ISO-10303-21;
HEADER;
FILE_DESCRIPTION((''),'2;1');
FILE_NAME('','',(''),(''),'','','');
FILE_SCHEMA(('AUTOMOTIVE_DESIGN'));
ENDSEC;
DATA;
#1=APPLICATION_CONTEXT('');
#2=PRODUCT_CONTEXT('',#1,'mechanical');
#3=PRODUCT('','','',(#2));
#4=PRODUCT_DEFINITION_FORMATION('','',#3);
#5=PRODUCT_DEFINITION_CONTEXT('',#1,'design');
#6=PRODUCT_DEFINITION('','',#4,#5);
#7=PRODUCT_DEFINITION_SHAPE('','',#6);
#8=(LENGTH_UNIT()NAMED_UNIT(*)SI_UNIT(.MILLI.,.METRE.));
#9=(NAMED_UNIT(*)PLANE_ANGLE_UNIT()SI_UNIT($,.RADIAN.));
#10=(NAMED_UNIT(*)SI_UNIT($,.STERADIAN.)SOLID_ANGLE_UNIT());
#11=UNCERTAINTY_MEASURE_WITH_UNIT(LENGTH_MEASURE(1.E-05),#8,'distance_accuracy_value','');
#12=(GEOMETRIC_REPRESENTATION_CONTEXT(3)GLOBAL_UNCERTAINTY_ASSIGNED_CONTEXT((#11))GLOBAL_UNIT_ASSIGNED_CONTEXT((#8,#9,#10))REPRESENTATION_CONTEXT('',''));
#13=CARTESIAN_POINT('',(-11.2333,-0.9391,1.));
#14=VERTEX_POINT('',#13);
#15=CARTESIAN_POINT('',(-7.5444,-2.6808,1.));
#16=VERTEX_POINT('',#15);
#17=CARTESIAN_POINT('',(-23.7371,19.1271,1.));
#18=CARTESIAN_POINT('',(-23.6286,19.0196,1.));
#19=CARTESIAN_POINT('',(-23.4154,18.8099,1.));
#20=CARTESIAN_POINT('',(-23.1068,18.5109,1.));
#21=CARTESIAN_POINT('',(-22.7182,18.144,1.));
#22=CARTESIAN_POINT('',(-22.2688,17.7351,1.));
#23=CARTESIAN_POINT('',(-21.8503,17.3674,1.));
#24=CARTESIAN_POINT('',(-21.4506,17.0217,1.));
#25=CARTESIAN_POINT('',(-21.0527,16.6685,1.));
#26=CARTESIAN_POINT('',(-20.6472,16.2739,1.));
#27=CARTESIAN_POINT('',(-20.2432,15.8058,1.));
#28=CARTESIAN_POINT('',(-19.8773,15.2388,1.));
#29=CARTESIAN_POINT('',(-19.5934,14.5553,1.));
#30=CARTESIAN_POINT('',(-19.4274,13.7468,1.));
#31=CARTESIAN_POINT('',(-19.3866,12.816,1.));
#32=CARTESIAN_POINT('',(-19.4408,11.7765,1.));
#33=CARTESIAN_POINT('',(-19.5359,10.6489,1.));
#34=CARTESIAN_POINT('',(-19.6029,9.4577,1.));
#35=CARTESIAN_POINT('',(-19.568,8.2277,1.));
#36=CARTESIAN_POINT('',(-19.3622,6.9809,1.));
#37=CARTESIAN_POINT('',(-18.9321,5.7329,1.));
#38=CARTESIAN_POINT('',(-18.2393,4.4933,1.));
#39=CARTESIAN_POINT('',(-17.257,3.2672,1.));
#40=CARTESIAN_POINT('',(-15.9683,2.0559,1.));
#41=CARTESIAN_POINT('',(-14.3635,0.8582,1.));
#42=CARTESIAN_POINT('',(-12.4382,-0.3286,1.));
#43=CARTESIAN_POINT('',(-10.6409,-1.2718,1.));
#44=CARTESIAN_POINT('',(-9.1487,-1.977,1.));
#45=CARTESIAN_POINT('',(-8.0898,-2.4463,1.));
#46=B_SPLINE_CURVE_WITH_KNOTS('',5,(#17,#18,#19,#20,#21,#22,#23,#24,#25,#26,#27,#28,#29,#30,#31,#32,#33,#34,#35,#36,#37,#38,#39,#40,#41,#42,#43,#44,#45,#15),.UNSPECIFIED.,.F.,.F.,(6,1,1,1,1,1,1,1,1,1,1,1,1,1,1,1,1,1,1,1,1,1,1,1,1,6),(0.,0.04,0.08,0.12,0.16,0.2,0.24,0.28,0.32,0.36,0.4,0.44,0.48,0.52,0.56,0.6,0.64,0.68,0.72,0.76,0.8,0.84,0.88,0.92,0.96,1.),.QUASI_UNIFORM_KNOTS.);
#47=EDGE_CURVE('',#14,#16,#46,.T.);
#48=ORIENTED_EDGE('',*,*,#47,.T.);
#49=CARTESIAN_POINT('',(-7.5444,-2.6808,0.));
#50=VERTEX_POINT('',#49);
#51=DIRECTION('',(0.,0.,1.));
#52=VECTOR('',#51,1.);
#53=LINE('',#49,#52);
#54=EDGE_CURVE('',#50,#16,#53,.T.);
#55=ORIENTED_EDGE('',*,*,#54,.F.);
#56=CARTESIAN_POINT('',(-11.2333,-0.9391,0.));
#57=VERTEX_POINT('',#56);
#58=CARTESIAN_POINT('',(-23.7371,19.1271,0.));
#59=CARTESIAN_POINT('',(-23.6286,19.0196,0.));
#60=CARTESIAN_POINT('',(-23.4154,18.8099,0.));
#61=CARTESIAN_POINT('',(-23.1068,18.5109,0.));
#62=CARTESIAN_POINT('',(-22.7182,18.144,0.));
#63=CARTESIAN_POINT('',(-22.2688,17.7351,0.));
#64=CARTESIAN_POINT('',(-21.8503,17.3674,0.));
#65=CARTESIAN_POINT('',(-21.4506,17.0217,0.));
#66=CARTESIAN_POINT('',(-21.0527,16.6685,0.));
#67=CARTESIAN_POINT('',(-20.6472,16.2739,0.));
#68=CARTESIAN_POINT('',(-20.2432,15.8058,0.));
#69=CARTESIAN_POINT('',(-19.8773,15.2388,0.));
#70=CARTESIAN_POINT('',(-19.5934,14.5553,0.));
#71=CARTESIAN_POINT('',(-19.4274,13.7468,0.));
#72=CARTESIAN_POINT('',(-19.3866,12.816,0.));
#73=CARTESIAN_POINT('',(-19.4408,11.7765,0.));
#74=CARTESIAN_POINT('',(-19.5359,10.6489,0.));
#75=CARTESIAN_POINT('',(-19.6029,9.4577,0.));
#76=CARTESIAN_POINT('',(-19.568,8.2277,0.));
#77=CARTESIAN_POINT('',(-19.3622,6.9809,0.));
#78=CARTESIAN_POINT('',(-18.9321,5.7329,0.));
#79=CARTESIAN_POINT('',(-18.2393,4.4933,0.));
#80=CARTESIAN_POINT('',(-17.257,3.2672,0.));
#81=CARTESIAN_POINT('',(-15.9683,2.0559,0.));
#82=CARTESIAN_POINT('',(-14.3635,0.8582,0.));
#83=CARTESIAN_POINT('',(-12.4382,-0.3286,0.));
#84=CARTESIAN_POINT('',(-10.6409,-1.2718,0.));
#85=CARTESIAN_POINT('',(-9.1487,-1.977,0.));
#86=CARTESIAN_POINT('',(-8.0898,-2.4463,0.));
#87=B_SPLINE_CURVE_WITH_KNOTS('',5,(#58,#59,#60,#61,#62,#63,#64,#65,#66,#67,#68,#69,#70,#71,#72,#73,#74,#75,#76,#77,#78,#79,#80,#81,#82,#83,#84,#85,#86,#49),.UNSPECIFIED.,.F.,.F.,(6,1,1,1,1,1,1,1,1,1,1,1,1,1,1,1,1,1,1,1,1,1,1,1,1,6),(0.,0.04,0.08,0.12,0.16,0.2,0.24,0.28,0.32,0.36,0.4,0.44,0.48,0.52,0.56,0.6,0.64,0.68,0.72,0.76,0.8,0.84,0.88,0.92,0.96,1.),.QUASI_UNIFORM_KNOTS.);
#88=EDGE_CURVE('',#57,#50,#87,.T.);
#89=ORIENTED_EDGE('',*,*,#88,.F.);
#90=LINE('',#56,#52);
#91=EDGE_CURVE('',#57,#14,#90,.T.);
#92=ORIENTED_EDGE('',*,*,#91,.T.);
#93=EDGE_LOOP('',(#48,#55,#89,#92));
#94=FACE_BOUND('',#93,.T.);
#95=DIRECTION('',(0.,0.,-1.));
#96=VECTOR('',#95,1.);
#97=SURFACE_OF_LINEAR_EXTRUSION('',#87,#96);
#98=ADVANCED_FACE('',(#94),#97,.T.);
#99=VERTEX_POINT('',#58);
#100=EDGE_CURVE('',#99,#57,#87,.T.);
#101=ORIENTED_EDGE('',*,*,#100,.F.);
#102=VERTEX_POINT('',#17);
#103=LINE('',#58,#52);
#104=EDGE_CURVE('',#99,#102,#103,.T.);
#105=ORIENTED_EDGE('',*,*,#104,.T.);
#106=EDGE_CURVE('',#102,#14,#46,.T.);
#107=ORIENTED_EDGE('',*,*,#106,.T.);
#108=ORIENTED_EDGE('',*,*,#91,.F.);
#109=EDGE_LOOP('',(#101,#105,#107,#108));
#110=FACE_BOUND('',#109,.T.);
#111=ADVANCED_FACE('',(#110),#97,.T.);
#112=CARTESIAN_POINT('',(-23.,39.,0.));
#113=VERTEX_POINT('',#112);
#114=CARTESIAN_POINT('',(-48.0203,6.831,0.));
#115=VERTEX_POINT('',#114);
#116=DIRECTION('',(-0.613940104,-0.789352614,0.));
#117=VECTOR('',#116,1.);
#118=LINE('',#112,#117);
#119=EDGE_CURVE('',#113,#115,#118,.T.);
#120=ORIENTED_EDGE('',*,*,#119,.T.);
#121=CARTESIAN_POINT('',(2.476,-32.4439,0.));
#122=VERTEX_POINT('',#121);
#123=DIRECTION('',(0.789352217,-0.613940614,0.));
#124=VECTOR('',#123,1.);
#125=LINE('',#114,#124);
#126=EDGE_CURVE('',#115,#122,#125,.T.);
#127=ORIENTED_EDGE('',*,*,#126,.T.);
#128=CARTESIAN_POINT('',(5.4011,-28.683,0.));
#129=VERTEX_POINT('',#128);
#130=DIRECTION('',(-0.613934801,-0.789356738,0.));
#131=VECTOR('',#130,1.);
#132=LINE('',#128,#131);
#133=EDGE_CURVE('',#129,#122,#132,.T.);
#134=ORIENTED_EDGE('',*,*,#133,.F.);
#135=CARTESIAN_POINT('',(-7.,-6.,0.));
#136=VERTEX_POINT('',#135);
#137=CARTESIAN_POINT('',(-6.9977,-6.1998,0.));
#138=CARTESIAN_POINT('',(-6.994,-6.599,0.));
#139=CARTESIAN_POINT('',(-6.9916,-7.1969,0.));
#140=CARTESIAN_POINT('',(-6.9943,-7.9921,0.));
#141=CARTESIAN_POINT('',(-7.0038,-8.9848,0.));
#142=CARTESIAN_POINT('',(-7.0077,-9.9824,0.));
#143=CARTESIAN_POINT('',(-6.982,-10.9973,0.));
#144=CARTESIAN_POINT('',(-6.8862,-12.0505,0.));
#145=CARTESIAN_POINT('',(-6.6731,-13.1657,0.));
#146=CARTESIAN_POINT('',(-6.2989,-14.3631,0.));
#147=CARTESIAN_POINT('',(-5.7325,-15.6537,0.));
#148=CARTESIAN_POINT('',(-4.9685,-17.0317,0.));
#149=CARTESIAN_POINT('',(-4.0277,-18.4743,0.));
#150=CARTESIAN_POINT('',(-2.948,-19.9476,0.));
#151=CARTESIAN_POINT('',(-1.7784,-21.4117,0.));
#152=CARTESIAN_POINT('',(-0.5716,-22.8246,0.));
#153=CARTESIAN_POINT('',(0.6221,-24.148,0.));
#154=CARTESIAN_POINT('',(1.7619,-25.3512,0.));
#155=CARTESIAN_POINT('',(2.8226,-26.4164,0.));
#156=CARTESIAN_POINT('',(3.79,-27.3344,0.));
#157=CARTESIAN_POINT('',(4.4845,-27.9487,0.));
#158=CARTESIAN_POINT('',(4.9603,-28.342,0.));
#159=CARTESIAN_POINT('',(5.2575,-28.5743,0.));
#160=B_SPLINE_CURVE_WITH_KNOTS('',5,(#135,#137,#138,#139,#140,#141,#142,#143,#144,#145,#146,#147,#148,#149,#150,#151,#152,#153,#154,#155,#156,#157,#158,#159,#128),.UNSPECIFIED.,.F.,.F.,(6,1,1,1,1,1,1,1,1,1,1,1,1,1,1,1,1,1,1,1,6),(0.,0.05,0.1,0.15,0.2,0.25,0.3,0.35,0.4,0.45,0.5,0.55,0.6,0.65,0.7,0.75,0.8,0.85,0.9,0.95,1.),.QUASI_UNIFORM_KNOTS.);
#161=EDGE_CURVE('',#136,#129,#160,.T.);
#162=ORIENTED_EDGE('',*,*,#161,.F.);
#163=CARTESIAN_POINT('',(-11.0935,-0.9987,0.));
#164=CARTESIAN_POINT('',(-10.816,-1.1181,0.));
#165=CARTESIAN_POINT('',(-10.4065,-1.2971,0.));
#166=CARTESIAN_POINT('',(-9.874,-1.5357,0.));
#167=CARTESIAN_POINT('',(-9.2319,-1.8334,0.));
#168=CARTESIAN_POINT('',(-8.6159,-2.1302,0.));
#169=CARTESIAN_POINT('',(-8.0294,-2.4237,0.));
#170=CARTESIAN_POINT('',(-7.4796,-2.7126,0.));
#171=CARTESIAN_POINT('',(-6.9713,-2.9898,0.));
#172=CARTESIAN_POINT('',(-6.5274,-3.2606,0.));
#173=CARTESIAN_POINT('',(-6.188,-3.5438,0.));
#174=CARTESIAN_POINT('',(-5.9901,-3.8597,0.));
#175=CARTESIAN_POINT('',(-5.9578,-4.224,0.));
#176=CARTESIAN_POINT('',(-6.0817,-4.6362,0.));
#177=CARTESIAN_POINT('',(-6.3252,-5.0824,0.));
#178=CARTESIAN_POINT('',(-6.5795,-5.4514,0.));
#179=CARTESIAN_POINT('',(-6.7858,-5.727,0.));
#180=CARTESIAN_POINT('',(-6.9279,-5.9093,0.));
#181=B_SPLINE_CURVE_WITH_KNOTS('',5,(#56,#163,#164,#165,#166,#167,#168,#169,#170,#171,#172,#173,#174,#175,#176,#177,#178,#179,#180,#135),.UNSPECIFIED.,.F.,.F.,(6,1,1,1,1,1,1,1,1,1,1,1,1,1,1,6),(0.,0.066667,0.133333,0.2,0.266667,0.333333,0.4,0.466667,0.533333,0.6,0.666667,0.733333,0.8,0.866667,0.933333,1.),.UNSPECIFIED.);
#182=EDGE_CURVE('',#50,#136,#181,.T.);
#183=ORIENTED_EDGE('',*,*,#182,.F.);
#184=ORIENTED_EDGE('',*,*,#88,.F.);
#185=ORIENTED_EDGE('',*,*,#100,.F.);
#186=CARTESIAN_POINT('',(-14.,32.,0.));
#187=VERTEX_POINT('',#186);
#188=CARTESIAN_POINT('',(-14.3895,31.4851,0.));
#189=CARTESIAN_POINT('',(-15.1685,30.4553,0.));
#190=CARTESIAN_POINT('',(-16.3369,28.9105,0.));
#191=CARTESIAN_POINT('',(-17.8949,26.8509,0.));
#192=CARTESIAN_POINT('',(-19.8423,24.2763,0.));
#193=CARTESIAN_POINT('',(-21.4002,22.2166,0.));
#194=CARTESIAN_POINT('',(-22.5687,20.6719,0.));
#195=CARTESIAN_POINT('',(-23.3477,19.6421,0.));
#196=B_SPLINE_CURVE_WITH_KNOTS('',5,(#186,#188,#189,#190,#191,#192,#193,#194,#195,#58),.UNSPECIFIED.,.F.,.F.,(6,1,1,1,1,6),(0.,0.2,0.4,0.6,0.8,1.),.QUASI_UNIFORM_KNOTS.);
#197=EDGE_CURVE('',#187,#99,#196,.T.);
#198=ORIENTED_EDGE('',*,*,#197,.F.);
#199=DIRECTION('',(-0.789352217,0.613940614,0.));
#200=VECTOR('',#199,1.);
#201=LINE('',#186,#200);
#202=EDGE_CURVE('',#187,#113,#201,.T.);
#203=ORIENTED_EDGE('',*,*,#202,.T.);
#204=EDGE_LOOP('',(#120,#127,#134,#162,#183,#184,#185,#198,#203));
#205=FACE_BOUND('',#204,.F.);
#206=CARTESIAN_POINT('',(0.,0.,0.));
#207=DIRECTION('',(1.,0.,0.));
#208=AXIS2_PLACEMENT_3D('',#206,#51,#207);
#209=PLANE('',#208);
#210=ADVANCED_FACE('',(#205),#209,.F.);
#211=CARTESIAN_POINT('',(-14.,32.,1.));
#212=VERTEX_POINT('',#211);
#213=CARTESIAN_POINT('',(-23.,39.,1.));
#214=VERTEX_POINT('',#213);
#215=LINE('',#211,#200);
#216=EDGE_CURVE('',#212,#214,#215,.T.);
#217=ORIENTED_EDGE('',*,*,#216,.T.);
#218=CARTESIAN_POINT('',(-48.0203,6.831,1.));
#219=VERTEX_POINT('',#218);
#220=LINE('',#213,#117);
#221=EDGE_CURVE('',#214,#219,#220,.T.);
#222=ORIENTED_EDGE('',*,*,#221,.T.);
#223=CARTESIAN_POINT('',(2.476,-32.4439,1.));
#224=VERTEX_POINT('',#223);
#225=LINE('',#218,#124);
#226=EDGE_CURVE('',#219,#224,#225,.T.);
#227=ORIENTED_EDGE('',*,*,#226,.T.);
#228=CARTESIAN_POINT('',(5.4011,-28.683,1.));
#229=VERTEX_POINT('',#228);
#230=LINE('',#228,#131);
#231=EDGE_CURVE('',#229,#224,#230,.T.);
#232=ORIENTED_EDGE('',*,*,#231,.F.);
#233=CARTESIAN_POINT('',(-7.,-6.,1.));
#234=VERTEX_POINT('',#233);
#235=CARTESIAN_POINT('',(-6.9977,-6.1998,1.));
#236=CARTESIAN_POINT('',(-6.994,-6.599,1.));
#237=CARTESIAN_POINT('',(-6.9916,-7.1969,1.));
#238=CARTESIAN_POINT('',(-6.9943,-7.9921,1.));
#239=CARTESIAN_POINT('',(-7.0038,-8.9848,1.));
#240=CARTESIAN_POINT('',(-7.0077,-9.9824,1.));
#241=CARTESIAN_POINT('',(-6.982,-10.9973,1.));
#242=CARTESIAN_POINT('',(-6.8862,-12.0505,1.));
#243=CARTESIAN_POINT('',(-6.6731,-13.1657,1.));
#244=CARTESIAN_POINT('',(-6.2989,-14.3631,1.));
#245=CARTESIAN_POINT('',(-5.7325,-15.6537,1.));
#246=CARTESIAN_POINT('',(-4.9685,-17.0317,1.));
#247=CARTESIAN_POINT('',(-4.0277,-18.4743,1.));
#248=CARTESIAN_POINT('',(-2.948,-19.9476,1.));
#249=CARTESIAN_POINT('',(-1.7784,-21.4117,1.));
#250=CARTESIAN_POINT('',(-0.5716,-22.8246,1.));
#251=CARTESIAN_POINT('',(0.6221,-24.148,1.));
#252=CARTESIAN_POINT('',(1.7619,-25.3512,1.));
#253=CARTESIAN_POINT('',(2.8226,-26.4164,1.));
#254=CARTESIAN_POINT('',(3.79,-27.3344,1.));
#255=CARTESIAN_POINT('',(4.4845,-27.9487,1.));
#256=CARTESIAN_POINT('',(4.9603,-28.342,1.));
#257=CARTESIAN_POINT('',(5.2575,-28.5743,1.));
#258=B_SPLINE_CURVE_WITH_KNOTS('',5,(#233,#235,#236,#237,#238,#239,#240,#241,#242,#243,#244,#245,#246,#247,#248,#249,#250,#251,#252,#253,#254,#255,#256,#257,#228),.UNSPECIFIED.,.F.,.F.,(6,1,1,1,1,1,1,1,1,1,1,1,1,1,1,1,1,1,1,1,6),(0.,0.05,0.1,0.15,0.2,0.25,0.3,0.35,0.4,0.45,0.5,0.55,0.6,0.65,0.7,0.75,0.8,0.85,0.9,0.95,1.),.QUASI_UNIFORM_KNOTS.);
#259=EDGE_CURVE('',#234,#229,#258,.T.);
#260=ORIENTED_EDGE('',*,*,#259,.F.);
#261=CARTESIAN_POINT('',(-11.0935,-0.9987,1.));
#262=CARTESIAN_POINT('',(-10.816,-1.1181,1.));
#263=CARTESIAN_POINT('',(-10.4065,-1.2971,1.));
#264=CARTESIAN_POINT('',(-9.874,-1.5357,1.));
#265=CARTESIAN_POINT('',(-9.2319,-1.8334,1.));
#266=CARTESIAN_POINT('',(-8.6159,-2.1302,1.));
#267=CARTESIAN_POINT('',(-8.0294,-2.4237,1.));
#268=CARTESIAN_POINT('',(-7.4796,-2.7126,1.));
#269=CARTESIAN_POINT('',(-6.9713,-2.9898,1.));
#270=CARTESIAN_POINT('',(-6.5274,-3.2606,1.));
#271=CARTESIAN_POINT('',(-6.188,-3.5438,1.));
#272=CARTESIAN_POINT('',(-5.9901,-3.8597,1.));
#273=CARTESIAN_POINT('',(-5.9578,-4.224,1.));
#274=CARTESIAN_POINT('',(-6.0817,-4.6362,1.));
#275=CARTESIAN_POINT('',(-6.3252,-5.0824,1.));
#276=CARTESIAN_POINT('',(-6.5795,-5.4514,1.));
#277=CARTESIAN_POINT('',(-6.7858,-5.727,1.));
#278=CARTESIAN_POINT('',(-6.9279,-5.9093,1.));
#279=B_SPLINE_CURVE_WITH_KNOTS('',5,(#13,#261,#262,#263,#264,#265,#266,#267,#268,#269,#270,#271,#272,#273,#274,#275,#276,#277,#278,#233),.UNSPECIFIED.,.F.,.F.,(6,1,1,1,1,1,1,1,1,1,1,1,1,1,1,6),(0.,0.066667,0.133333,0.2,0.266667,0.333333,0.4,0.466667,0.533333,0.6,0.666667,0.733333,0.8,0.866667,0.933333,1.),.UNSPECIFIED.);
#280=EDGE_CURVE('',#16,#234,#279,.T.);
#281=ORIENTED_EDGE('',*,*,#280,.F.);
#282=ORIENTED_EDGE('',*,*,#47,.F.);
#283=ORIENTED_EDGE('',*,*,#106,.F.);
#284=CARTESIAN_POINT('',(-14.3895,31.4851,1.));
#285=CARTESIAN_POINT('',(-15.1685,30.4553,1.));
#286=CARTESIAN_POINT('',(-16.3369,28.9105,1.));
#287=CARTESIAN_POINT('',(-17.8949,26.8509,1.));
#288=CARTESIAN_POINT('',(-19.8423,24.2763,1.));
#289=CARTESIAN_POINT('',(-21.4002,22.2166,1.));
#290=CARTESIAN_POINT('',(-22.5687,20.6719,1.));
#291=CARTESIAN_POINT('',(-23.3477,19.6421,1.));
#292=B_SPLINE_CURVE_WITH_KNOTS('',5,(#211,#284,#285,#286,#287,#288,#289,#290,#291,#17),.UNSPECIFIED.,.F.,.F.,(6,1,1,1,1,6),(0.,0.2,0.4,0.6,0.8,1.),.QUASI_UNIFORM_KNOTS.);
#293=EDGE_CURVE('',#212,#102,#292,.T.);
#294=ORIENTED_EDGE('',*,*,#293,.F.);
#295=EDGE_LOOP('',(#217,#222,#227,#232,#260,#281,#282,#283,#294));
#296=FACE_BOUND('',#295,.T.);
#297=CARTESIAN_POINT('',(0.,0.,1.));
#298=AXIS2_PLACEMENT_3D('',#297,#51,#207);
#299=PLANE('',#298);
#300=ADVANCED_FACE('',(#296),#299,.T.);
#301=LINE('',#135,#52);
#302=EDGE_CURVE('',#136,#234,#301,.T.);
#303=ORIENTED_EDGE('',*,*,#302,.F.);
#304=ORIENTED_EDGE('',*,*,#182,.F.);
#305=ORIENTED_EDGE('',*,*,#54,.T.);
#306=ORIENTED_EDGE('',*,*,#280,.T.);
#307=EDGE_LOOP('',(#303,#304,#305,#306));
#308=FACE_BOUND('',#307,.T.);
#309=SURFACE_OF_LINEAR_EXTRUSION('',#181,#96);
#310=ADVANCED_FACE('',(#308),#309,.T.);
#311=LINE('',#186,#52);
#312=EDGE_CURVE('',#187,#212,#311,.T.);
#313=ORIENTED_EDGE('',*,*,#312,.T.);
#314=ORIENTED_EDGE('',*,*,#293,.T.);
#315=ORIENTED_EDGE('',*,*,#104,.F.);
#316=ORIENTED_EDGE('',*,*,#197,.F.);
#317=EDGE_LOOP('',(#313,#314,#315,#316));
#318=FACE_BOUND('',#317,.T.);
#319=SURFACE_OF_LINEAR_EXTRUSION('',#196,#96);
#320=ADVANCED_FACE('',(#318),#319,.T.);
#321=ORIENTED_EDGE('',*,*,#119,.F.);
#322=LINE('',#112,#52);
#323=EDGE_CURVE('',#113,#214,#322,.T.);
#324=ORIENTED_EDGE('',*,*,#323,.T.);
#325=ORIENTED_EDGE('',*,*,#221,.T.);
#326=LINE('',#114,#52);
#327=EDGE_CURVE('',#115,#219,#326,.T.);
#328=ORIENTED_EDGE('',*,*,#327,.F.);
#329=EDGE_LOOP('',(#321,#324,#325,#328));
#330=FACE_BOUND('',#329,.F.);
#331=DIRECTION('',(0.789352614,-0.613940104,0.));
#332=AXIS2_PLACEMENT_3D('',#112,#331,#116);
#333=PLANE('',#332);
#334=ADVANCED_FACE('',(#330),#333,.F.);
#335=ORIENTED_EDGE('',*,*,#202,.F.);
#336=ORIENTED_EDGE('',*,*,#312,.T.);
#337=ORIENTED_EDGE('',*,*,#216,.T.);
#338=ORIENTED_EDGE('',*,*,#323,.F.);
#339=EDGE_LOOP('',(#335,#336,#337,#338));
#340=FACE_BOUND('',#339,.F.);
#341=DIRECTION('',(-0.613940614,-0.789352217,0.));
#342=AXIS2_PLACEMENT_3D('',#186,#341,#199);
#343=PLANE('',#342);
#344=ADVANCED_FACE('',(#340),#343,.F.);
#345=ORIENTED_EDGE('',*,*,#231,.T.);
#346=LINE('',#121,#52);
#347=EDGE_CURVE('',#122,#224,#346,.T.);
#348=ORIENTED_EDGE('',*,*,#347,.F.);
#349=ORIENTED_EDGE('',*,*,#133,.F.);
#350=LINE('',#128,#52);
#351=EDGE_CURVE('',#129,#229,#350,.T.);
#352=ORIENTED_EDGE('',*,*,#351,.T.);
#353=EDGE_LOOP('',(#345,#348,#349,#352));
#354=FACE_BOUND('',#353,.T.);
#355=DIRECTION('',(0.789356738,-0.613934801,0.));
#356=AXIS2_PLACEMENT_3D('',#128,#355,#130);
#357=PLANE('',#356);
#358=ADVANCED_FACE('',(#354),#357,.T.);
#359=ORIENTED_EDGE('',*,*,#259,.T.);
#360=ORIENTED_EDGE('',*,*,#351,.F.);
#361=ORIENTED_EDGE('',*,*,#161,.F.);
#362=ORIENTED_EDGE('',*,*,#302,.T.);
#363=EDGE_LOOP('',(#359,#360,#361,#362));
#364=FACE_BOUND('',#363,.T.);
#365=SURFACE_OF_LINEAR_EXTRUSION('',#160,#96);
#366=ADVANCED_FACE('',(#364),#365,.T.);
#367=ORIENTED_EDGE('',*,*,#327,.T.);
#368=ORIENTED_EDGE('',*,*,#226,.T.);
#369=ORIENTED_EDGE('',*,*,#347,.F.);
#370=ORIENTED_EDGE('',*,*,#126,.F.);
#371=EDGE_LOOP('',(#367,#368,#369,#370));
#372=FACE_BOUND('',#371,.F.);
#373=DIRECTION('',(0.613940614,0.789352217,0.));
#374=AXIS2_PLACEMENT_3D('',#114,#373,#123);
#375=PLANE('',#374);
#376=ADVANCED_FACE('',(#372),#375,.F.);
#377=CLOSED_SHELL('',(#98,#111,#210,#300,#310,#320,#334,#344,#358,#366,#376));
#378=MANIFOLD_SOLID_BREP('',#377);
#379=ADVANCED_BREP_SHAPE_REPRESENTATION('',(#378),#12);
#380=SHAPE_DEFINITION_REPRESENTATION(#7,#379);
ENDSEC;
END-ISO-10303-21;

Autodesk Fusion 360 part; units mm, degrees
sketch "Sketch1" plane through (0, 0, 0) normal (0, 0, 1) x (1, 0, 0)
sketch "Sketch2" plane through (0, 0, 0) normal (0, 0, 1) x (1, 0, 0)
sketch "Sketch3" plane through (0, 0, 0) normal (0, 0, 1) x (1, 0, 0)
  spline S0 degree 5 poles (-14, 32) (-14.3895, 31.4851) (-15.1685, 30.4553) (-16.3369, 28.9105) (-17.8949, 26.8509) (-19.8423, 24.2763) (-21.4002, 22.2166) (-22.5687, 20.6719) (-23.3477, 19.6421) (-23.7371, 19.1271) knots 0 0 0 0 0 0 0.2 0.4 0.6 0.8 1 1 1 1 1 1
  spline S1 degree 5 poles (-23.7371, 19.1271) (-23.6286, 19.0196) (-23.4154, 18.8099) (-23.1068, 18.5109) (-22.7182, 18.144) (-22.2688, 17.7351) (-21.8503, 17.3674) (-21.4506, 17.0217) (-21.0527, 16.6685) (-20.6472, 16.2739) (-20.2432, 15.8058) (-19.8773, 15.2388) (-19.5934, 14.5553) (-19.4274, 13.7468) (-19.3866, 12.816) (-19.4408, 11.7765) (-19.5359, 10.6489) (-19.6029, 9.4577) (-19.568, 8.2277) (-19.3622, 6.9809) (-18.9321, 5.7329) (-18.2393, 4.4933) (-17.257, 3.2672) (-15.9683, 2.0559) (-14.3635, 0.8582) (-12.4382, -0.3286) (-10.6409, -1.2718) (-9.1487, -1.977) (-8.0898, -2.4463) (-7.5444, -2.6808) knots 0 0 0 0 0 0 0.04 0.08 0.12 0.16 0.2 0.24 0.28 0.32 0.36 0.4 0.44 0.48 0.52 0.56 0.6 0.64 0.68 0.72 0.76 0.8 0.84 0.88 0.92 0.96 1 1 1 1 1 1
  line L0 (-12.3379, -0.6203) -> (-2.7509, -4.7412)
  spline S2 degree 5 poles (-11.2333, -0.9391) (-11.0935, -0.9987) (-10.816, -1.1181) (-10.4065, -1.2971) (-9.874, -1.5357) (-9.2319, -1.8334) (-8.6159, -2.1302) (-8.0294, -2.4237) (-7.4796, -2.7126) (-6.9713, -2.9898) (-6.5274, -3.2606) (-6.188, -3.5438) (-5.9901, -3.8597) (-5.9578, -4.224) (-6.0817, -4.6362) (-6.3252, -5.0824) (-6.5795, -5.4514) (-6.7858, -5.727) (-6.9279, -5.9093) (-7, -6) knots 0 0 0 0 0 0 0.066667 0.133333 0.2 0.266667 0.333333 0.4 0.466667 0.533333 0.6 0.666667 0.733333 0.8 0.866667 0.933333 1 1 1 1 1 1
  line L1 (-6.329, -5.1562) -> (-7.671, -6.8438)
  line L2 (-8.3606, -2.2454) -> (-6.7282, -3.1161)
  spline S3 degree 5 poles (-7, -6) (-6.9977, -6.1998) (-6.994, -6.599) (-6.9916, -7.1969) (-6.9943, -7.9921) (-7.0038, -8.9848) (-7.0077, -9.9824) (-6.982, -10.9973) (-6.8862, -12.0505) (-6.6731, -13.1657) (-6.2989, -14.3631) (-5.7325, -15.6537) (-4.9685, -17.0317) (-4.0277, -18.4743) (-2.948, -19.9476) (-1.7784, -21.4117) (-0.5716, -22.8246) (0.6221, -24.148) (1.7619, -25.3512) (2.8226, -26.4164) (3.79, -27.3344) (4.4845, -27.9487) (4.9603, -28.342) (5.2575, -28.5743) (5.4011, -28.683) knots 0 0 0 0 0 0 0.05 0.1 0.15 0.2 0.25 0.3 0.35 0.4 0.45 0.5 0.55 0.6 0.65 0.7 0.75 0.8 0.85 0.9 0.95 1 1 1 1 1 1
  line L3 (-14, 32) -> (-23, 39)
  line L4 (-23, 39) -> (-48.0203, 6.831)
  line L5 (-48.0203, 6.831) -> (2.476, -32.4439)
  line L6 (5.4011, -28.683) -> (2.476, -32.4439)
  point P0 (-22, 17.5)
  point P1 (-20.6977, 16.3087)
  point P2 (-19.5, 14)
  point P3 (-19.5, 8)
  point P4 (-6, -4)
  point P5 (-7, -10)
  point P6 (-6, -15)
  point P7 (0.5, -24)
extrude "Extrude1" add sketch "Sketch3" along normal blind 1 contours S0 S1 S2 S3 L3 L4 L5 L6
